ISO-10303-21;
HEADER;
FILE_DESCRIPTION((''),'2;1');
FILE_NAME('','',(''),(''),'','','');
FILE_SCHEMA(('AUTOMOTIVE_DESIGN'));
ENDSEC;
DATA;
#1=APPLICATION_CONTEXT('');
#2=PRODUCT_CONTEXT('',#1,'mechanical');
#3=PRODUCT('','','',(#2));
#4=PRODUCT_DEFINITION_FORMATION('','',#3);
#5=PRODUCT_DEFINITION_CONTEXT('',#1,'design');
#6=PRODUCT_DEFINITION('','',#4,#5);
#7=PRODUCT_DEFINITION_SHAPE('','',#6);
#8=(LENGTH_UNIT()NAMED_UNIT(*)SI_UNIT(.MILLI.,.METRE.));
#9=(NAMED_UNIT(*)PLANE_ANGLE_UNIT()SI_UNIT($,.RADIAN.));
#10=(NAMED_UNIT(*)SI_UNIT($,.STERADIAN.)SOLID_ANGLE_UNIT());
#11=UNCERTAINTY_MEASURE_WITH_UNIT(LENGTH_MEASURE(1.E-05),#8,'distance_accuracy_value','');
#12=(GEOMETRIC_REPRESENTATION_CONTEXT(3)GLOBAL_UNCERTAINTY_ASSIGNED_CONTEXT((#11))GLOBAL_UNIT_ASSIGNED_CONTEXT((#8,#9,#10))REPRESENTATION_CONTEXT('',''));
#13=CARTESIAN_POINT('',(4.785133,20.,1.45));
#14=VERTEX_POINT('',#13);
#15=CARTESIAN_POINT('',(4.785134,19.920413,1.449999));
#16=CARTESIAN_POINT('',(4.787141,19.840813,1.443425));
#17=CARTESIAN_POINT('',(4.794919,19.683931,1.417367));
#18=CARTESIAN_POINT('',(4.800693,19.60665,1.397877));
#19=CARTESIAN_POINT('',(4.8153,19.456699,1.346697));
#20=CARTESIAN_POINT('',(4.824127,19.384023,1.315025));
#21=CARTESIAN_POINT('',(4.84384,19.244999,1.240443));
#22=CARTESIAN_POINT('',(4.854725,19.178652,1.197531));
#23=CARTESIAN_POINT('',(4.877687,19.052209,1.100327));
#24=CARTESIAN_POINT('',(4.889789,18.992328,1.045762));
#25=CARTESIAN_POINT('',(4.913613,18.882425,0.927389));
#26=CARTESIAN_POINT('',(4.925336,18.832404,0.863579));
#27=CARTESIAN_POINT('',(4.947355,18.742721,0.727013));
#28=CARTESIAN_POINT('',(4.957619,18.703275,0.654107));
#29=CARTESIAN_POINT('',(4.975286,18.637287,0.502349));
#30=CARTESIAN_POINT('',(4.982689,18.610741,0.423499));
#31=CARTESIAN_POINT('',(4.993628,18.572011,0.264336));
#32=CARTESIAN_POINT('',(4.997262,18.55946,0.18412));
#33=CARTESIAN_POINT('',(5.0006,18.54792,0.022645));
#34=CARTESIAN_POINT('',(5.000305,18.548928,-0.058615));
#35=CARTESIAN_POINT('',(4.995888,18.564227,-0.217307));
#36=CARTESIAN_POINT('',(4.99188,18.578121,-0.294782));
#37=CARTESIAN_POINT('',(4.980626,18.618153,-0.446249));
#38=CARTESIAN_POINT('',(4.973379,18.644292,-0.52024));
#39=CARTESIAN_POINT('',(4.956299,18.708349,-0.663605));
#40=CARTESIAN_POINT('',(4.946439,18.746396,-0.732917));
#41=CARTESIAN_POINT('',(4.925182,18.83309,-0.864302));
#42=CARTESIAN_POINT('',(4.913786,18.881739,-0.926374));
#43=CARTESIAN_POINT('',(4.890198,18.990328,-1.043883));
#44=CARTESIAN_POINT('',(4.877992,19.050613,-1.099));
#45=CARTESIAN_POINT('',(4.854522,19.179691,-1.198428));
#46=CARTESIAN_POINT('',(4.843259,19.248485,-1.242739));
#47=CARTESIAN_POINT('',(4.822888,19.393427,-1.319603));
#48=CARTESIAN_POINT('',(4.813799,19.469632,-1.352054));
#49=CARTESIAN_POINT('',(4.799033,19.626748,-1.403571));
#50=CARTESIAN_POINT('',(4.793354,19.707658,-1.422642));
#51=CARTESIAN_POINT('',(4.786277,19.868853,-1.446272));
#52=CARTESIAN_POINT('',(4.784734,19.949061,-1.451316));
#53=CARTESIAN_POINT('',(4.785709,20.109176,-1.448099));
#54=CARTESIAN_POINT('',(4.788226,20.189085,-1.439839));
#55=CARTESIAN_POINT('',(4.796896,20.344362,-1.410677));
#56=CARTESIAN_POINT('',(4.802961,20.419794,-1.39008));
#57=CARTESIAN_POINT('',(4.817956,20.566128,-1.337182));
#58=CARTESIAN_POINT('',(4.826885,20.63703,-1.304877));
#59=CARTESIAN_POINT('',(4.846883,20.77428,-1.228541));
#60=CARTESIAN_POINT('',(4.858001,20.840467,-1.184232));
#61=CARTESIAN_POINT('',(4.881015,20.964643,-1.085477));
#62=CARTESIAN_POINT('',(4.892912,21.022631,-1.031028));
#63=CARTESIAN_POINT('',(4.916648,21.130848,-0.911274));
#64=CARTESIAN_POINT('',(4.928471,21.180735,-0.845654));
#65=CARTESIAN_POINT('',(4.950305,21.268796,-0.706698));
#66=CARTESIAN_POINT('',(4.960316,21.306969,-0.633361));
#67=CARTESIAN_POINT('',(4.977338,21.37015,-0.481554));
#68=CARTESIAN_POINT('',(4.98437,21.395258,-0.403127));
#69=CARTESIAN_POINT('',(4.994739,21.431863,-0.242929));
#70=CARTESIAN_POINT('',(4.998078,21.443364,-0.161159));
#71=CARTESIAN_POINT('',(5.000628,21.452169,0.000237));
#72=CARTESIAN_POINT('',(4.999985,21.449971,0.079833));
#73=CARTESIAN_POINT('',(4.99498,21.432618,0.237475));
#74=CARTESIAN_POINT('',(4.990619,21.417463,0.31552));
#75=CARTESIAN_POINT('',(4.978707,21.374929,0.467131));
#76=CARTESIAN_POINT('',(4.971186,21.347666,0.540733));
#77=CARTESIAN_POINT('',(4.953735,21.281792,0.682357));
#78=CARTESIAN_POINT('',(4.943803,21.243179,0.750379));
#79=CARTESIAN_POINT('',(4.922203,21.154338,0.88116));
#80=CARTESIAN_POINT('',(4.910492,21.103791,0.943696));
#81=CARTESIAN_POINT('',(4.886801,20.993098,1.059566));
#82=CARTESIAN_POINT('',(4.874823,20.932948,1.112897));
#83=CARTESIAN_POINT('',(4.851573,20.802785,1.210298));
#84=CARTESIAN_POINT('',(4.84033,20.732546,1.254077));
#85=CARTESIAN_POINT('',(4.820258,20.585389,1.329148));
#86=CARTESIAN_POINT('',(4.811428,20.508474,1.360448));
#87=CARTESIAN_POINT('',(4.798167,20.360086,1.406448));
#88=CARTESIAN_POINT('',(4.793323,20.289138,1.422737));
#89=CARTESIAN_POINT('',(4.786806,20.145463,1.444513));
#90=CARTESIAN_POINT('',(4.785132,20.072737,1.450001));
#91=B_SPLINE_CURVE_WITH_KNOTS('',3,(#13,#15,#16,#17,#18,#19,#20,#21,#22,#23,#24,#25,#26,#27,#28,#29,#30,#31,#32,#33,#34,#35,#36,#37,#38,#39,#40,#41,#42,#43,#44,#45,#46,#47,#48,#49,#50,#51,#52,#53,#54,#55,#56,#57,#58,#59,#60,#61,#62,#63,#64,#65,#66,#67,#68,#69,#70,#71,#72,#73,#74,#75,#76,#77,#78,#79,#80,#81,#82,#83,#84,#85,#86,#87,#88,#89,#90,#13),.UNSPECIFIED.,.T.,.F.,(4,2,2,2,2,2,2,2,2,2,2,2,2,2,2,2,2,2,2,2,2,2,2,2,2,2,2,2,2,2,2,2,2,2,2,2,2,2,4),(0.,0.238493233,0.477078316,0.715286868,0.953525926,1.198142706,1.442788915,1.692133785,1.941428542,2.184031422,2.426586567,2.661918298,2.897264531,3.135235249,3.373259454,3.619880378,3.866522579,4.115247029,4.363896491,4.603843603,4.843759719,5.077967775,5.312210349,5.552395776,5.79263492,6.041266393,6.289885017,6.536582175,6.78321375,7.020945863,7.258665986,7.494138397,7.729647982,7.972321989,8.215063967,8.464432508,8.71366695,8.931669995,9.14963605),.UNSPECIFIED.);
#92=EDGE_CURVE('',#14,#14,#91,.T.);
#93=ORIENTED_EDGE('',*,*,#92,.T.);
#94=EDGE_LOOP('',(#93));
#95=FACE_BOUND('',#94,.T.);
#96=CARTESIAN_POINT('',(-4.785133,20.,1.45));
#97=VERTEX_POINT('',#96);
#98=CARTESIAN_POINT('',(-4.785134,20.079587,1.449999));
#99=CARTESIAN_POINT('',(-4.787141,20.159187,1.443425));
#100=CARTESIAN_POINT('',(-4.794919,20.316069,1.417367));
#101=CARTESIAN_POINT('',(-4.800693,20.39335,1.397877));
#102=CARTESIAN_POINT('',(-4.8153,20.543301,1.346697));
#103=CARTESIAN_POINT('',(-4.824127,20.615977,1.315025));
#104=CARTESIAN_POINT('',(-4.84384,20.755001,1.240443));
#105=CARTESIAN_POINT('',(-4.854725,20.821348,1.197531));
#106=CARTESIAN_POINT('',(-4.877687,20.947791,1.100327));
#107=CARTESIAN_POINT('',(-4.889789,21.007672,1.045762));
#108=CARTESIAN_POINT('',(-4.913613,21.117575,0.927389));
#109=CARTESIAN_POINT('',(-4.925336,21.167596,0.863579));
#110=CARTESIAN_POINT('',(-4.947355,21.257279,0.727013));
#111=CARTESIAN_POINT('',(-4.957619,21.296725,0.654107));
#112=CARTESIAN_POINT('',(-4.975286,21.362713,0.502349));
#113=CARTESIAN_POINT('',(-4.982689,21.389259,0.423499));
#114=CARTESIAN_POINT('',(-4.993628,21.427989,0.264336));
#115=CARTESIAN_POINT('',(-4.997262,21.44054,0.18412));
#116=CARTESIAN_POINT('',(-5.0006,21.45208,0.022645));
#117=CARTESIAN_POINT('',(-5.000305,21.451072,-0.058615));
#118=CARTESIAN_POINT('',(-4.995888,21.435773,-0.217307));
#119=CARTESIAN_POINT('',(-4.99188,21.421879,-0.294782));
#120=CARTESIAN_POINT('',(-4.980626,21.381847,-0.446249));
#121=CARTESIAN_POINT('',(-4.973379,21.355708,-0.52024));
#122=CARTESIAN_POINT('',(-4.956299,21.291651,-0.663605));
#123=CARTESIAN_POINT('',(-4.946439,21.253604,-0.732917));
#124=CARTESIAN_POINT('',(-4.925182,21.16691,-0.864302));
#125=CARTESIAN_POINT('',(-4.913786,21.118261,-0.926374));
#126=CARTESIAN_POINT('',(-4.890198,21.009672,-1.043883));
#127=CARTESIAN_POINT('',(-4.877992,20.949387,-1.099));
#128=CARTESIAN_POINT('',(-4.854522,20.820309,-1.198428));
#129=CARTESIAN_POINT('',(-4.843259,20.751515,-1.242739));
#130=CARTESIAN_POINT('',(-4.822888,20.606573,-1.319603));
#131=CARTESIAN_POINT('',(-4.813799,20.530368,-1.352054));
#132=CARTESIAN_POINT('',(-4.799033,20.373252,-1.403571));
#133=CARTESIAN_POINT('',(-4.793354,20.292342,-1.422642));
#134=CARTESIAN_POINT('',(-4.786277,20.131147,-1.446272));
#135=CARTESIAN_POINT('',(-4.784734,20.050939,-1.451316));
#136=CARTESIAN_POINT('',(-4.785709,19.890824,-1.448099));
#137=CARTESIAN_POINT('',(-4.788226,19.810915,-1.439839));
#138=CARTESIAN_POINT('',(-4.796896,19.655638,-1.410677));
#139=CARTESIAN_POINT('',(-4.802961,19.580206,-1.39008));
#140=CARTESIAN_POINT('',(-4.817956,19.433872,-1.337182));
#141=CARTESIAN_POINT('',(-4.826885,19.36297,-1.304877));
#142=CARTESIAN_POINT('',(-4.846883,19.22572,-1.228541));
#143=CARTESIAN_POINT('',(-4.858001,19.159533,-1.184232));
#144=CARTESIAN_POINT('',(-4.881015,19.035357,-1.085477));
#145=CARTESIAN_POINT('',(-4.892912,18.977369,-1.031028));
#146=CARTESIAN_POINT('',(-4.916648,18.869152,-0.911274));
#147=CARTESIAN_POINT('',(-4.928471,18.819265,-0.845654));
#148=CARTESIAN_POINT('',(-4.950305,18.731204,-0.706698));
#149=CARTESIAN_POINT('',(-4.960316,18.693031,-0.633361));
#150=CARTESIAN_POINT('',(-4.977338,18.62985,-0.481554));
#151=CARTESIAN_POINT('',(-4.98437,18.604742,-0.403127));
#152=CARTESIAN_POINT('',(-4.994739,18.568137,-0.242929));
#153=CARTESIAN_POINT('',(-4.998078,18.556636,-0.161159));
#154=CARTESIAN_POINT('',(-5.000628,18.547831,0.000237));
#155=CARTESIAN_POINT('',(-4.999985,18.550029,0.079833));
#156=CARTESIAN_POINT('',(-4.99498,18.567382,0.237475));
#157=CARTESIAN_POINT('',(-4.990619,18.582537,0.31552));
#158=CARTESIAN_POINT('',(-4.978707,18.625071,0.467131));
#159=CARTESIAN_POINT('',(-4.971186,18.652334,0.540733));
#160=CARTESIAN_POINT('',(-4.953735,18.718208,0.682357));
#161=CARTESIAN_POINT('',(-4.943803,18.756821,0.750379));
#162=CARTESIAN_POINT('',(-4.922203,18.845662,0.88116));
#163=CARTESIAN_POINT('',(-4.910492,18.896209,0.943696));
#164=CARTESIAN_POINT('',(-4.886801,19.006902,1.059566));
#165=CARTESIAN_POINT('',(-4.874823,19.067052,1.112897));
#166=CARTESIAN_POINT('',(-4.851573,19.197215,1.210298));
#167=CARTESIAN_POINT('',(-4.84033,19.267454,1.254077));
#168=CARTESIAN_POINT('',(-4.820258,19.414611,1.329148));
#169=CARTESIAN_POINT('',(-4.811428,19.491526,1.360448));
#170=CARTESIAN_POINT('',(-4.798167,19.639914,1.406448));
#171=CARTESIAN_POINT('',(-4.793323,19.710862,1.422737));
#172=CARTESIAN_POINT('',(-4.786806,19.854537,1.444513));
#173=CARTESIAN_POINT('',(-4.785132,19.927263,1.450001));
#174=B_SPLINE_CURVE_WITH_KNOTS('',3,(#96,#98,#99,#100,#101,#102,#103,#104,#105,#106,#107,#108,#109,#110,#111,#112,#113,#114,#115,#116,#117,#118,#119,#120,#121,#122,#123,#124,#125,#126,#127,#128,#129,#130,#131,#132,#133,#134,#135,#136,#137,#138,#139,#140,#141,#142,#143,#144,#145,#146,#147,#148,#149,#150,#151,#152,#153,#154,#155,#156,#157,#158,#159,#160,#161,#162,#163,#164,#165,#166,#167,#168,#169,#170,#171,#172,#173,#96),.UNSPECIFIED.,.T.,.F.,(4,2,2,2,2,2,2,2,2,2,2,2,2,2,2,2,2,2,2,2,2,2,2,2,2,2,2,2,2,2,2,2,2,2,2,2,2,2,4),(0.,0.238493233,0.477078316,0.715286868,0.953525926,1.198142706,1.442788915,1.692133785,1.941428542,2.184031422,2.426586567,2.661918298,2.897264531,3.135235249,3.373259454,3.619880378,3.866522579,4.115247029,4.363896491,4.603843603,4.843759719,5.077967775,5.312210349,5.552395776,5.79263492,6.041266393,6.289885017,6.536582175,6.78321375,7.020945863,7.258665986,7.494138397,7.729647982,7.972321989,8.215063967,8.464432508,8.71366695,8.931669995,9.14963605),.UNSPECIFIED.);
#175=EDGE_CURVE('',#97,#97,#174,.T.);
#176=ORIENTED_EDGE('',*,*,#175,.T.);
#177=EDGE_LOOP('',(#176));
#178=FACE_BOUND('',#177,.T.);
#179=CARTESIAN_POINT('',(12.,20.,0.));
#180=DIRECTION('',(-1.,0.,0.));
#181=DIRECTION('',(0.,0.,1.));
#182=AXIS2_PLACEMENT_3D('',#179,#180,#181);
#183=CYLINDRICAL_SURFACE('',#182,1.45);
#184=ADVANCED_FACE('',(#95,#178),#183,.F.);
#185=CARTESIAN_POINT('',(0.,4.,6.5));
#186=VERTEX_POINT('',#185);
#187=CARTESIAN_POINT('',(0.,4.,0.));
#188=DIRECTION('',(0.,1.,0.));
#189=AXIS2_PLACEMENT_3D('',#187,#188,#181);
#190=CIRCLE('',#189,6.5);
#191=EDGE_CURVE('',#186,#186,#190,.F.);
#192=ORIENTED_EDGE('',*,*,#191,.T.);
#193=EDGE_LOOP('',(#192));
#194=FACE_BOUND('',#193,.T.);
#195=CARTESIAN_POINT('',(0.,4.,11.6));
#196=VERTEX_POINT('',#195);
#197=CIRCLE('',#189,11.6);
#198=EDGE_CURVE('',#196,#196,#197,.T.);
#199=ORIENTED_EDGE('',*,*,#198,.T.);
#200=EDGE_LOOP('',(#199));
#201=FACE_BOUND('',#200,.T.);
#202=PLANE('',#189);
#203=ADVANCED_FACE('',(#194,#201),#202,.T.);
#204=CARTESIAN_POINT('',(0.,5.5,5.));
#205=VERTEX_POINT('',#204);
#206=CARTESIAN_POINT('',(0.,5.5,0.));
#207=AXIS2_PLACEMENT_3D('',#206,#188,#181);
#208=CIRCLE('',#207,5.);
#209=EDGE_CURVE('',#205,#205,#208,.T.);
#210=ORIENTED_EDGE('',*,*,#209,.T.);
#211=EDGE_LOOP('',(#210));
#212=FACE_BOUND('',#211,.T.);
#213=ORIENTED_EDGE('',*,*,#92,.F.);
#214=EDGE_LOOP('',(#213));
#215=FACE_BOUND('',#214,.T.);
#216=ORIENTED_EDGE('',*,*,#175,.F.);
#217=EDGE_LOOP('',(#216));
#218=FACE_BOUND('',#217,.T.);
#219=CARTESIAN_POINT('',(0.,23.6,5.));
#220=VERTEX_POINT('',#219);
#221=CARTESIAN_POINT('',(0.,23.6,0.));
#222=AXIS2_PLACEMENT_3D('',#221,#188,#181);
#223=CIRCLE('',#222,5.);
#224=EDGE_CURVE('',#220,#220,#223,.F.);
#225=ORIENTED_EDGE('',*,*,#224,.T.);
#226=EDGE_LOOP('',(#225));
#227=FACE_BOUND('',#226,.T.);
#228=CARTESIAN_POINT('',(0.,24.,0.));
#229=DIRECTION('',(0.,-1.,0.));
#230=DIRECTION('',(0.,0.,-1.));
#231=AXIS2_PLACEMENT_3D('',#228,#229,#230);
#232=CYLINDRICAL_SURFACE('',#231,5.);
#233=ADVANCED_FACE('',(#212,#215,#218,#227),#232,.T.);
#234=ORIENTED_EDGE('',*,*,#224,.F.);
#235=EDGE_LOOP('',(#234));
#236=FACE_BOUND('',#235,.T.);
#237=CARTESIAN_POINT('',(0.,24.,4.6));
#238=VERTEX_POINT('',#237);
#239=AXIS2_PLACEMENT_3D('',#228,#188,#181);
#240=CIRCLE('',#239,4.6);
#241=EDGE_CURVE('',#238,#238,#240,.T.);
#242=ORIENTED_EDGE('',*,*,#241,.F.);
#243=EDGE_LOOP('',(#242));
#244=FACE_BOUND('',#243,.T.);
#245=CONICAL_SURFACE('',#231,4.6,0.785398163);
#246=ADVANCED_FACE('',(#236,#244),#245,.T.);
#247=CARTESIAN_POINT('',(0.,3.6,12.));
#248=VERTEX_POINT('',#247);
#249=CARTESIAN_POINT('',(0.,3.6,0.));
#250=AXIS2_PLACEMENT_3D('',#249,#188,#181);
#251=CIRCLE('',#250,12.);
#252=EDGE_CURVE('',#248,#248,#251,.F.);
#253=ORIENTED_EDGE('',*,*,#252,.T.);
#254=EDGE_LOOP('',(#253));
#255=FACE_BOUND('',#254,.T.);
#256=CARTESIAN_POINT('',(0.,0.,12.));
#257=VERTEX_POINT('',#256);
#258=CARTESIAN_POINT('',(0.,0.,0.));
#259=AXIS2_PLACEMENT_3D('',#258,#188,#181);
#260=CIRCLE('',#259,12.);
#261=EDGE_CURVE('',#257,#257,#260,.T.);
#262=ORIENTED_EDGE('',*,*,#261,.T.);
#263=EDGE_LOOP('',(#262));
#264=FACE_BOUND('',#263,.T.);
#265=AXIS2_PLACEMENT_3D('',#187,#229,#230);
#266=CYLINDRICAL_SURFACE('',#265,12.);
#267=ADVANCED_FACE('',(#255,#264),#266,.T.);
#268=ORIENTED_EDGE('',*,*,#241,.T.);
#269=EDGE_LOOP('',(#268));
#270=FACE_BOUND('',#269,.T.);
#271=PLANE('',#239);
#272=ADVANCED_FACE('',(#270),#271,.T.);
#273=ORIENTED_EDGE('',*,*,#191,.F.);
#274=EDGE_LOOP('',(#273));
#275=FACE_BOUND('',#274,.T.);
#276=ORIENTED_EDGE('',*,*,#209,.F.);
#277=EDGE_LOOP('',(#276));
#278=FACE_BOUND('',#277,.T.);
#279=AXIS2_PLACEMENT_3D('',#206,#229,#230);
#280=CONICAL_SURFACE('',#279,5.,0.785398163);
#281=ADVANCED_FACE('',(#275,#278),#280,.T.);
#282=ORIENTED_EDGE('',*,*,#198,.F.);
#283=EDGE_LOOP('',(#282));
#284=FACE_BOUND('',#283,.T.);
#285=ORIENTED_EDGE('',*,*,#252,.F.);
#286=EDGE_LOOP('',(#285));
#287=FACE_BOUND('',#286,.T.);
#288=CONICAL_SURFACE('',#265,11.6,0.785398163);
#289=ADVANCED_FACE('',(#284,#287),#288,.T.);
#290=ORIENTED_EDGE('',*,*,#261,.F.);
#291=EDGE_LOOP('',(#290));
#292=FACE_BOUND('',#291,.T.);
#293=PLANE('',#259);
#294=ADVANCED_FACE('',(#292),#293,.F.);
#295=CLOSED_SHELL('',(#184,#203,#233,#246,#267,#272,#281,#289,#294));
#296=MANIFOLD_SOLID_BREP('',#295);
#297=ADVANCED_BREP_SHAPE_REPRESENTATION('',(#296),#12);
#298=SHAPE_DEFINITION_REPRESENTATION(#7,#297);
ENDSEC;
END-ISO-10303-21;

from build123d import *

# Parameters (mm, degrees)
SKETCH_1_R               = 12
EXTRUDE_1_DEPTH          = 4
SKETCH_2_R               = 5
EXTRUDE_2_DEPTH          = 20
CHAMFER_1_SIZE           = 0.4
CUT_EXTRUDE_1_DEPTH      = 30.393876913
CUT_EXTRUDE_1_DEPTH_BACK = 30.393876913
SKETCH_4_R               = 1.45
CHAMFER_2_SIZE           = 1.5


with BuildPart() as part:
    # 草图1 → 凸台-拉伸1 (new body)
    with BuildSketch(Plane(origin=(0, 0, 0), x_dir=(1, 0, 0), z_dir=(0, 1, 0))):
        with Locations(Location((0, 0, 0), (0, 0, 270))):
            Circle(SKETCH_1_R)
    extrude(amount=EXTRUDE_1_DEPTH)

    # 草图2 → 凸台-拉伸2 (add)
    with BuildSketch(Plane(origin=(0, 4, 0), x_dir=(1, 0, 0), z_dir=(0, 1, 0))):
        with Locations(Location((0, 0, 0), (0, 0, 270))):
            Circle(SKETCH_2_R)
    extrude(amount=EXTRUDE_2_DEPTH)

    # 倒角1
    chamfer_1_edges = [part.edges().sort_by_distance(p)[0] for p in [
        (0, 4, -12),
        (0, 24, -5),
    ]]
    chamfer(chamfer_1_edges, length=CHAMFER_1_SIZE)

    # 草图4 → 切除-拉伸1 (cut, two sides: drawn at the far end of the back side and taken through both)
    with BuildSketch(Plane(origin=(0, 0, 0), x_dir=(0, 0, -1), z_dir=(1, 0, 0)).offset(-CUT_EXTRUDE_1_DEPTH_BACK)):
        with Locations(Location((0, 20, 0), (0, 0, 180))):
            Circle(SKETCH_4_R)
    extrude(amount=CUT_EXTRUDE_1_DEPTH + CUT_EXTRUDE_1_DEPTH_BACK, mode=Mode.SUBTRACT)

    # 倒角2
    chamfer_2_edges = [part.edges().sort_by_distance(p)[0] for p in [
        (0, 4, -5),
    ]]
    chamfer(chamfer_2_edges, length=CHAMFER_2_SIZE)


solid = part.part
